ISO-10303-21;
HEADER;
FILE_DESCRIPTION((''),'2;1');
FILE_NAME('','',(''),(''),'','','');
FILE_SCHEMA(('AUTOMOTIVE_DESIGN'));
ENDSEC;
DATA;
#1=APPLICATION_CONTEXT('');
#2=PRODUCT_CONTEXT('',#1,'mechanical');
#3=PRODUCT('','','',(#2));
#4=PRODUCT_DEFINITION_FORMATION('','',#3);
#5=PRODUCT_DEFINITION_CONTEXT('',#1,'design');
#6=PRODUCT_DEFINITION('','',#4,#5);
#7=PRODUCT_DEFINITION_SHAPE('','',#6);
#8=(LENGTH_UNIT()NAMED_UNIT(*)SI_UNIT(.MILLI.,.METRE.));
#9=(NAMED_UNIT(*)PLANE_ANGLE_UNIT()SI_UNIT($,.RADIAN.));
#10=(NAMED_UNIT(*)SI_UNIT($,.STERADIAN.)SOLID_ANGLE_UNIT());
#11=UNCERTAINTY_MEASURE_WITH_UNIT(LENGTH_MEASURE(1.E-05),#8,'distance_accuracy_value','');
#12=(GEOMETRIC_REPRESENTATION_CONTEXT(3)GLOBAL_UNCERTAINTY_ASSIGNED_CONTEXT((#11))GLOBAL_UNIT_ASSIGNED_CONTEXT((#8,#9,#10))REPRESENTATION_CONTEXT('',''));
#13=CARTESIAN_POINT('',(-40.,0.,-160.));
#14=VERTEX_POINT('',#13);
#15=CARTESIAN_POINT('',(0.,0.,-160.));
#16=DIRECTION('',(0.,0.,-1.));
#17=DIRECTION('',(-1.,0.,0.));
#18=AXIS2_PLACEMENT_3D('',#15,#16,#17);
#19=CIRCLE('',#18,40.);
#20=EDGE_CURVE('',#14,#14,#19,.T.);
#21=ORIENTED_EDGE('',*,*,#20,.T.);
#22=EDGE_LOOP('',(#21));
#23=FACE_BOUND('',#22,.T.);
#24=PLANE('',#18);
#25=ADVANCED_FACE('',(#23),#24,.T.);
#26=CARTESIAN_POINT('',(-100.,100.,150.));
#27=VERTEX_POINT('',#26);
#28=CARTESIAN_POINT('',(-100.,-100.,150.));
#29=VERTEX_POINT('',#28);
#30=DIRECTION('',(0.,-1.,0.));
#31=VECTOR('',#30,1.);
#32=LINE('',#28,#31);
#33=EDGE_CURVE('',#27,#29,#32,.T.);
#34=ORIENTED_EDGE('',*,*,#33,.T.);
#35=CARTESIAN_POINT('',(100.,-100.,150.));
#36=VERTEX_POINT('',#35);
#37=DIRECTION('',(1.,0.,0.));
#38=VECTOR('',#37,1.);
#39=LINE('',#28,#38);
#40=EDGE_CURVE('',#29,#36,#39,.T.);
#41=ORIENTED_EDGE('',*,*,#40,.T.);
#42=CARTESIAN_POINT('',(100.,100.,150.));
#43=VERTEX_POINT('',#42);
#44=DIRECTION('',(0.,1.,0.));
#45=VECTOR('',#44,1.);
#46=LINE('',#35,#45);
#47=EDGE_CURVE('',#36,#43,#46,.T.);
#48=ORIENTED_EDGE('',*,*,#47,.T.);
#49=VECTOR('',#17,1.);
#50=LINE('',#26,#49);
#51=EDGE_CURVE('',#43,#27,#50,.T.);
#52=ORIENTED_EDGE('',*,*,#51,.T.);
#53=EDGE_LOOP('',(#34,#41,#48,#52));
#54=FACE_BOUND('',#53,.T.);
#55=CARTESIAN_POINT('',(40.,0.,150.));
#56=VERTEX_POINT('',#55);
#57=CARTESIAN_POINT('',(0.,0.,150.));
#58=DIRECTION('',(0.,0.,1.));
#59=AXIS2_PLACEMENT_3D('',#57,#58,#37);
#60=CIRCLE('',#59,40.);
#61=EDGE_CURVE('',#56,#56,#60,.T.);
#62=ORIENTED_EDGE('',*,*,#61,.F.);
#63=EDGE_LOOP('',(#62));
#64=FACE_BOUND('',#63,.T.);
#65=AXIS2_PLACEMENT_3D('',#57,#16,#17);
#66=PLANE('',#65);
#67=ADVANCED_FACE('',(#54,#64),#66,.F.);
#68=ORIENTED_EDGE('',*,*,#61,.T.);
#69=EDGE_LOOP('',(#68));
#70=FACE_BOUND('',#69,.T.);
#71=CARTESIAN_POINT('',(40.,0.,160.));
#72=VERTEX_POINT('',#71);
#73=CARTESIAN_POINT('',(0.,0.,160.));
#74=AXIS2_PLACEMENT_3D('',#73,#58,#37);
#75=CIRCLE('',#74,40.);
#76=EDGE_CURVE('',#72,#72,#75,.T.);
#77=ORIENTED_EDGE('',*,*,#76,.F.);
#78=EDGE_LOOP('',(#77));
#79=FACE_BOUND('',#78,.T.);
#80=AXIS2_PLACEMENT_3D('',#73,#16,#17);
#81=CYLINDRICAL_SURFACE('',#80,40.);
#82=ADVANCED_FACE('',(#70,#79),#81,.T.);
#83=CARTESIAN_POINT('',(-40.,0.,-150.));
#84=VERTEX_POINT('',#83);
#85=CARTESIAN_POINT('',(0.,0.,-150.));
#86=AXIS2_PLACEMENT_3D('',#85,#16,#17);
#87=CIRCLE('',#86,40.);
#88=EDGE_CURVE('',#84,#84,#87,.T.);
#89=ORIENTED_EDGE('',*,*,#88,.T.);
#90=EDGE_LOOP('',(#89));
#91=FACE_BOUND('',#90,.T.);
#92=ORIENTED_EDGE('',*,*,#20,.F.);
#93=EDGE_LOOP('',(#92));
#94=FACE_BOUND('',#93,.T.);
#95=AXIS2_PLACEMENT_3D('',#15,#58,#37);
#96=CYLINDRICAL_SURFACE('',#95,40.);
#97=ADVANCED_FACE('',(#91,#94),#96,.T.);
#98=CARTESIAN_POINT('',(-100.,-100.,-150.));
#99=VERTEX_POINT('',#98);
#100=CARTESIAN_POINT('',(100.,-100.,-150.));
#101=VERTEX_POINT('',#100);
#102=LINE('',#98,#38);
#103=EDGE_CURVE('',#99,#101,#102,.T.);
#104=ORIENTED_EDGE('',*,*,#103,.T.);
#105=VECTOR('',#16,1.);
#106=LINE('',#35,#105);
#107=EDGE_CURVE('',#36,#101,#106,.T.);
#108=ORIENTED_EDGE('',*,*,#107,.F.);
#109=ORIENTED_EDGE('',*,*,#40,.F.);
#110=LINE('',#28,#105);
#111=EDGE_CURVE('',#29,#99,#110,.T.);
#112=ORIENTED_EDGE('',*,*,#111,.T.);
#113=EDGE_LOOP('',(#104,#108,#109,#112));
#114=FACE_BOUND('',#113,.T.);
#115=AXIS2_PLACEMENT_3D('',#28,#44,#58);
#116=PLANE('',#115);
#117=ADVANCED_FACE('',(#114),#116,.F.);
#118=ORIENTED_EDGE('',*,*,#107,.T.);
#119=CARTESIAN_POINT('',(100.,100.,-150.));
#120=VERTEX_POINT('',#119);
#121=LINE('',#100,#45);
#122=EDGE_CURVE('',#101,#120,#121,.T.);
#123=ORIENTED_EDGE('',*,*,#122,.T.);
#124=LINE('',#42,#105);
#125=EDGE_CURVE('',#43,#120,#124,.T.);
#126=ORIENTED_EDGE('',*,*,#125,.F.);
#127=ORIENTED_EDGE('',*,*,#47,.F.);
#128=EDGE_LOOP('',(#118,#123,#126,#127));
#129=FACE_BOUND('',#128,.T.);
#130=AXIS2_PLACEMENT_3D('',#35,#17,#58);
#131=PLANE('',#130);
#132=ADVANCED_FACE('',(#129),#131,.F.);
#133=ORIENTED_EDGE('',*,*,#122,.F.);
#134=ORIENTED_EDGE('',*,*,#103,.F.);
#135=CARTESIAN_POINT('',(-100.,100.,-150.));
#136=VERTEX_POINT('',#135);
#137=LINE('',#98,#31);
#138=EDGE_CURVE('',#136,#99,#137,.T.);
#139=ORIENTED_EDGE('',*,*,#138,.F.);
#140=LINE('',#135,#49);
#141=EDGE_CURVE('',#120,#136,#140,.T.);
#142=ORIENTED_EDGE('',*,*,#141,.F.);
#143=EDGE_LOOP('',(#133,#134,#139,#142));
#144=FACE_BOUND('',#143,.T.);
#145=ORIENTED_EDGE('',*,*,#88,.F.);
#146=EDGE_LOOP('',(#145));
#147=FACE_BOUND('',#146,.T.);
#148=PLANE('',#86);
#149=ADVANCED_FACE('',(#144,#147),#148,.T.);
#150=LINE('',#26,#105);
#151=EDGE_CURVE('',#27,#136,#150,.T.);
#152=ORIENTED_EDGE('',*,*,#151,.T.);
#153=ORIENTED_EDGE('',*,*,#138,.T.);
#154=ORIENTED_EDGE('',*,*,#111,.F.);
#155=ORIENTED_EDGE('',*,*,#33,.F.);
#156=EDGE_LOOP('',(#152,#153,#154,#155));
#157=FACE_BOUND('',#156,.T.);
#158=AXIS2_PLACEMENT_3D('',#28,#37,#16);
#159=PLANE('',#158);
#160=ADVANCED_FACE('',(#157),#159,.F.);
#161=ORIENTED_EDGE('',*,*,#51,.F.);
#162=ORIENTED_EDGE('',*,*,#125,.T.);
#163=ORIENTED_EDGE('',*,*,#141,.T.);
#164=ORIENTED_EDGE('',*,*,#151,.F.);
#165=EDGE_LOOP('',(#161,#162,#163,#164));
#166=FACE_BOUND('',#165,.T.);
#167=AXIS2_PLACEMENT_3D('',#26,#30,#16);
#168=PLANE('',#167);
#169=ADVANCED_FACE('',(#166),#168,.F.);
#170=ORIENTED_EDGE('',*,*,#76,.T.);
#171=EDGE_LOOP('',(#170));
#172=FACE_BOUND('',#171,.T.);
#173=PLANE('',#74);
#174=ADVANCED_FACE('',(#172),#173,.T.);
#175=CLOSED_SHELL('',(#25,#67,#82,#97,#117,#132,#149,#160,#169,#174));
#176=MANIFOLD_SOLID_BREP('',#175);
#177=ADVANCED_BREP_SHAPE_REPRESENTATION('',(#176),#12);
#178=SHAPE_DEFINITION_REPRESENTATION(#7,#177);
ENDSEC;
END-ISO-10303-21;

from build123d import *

# Parameters (mm, degrees)
SKETCH_1_W      = 200
SKETCH_1_H      = 200
EXTRUDE_1_DEPTH = 150
SKETCH_2_R      = 40
EXTRUDE_2_DEPTH = 10
EXTRUDE_START   = 10
SKETCH_3_R      = 40
EXTRUDE_3_DEPTH = 10


with BuildPart() as part:
    # 草图1 → 凸台-拉伸1 (new, symmetric)
    with BuildSketch(Plane.XY):
        Rectangle(SKETCH_1_W, SKETCH_1_H)
    extrude(amount=EXTRUDE_1_DEPTH, both=True)

    # 草图2 → 凸台-拉伸2 (add)
    with BuildSketch(Plane.XY.offset(150)):
        Circle(SKETCH_2_R)
    extrude(amount=EXTRUDE_2_DEPTH)

    # 草图3 → 凸台-拉伸3 (add)
    with BuildSketch(Plane(origin=(0, 0, -150), x_dir=(-1, 0, 0), z_dir=(0, 0, -1)).offset(EXTRUDE_START)):
        with Locations(Location((0, 0, 0), (0, 0, 180))):
            Circle(SKETCH_3_R)
    extrude(amount=-EXTRUDE_3_DEPTH)


solid = part.part
